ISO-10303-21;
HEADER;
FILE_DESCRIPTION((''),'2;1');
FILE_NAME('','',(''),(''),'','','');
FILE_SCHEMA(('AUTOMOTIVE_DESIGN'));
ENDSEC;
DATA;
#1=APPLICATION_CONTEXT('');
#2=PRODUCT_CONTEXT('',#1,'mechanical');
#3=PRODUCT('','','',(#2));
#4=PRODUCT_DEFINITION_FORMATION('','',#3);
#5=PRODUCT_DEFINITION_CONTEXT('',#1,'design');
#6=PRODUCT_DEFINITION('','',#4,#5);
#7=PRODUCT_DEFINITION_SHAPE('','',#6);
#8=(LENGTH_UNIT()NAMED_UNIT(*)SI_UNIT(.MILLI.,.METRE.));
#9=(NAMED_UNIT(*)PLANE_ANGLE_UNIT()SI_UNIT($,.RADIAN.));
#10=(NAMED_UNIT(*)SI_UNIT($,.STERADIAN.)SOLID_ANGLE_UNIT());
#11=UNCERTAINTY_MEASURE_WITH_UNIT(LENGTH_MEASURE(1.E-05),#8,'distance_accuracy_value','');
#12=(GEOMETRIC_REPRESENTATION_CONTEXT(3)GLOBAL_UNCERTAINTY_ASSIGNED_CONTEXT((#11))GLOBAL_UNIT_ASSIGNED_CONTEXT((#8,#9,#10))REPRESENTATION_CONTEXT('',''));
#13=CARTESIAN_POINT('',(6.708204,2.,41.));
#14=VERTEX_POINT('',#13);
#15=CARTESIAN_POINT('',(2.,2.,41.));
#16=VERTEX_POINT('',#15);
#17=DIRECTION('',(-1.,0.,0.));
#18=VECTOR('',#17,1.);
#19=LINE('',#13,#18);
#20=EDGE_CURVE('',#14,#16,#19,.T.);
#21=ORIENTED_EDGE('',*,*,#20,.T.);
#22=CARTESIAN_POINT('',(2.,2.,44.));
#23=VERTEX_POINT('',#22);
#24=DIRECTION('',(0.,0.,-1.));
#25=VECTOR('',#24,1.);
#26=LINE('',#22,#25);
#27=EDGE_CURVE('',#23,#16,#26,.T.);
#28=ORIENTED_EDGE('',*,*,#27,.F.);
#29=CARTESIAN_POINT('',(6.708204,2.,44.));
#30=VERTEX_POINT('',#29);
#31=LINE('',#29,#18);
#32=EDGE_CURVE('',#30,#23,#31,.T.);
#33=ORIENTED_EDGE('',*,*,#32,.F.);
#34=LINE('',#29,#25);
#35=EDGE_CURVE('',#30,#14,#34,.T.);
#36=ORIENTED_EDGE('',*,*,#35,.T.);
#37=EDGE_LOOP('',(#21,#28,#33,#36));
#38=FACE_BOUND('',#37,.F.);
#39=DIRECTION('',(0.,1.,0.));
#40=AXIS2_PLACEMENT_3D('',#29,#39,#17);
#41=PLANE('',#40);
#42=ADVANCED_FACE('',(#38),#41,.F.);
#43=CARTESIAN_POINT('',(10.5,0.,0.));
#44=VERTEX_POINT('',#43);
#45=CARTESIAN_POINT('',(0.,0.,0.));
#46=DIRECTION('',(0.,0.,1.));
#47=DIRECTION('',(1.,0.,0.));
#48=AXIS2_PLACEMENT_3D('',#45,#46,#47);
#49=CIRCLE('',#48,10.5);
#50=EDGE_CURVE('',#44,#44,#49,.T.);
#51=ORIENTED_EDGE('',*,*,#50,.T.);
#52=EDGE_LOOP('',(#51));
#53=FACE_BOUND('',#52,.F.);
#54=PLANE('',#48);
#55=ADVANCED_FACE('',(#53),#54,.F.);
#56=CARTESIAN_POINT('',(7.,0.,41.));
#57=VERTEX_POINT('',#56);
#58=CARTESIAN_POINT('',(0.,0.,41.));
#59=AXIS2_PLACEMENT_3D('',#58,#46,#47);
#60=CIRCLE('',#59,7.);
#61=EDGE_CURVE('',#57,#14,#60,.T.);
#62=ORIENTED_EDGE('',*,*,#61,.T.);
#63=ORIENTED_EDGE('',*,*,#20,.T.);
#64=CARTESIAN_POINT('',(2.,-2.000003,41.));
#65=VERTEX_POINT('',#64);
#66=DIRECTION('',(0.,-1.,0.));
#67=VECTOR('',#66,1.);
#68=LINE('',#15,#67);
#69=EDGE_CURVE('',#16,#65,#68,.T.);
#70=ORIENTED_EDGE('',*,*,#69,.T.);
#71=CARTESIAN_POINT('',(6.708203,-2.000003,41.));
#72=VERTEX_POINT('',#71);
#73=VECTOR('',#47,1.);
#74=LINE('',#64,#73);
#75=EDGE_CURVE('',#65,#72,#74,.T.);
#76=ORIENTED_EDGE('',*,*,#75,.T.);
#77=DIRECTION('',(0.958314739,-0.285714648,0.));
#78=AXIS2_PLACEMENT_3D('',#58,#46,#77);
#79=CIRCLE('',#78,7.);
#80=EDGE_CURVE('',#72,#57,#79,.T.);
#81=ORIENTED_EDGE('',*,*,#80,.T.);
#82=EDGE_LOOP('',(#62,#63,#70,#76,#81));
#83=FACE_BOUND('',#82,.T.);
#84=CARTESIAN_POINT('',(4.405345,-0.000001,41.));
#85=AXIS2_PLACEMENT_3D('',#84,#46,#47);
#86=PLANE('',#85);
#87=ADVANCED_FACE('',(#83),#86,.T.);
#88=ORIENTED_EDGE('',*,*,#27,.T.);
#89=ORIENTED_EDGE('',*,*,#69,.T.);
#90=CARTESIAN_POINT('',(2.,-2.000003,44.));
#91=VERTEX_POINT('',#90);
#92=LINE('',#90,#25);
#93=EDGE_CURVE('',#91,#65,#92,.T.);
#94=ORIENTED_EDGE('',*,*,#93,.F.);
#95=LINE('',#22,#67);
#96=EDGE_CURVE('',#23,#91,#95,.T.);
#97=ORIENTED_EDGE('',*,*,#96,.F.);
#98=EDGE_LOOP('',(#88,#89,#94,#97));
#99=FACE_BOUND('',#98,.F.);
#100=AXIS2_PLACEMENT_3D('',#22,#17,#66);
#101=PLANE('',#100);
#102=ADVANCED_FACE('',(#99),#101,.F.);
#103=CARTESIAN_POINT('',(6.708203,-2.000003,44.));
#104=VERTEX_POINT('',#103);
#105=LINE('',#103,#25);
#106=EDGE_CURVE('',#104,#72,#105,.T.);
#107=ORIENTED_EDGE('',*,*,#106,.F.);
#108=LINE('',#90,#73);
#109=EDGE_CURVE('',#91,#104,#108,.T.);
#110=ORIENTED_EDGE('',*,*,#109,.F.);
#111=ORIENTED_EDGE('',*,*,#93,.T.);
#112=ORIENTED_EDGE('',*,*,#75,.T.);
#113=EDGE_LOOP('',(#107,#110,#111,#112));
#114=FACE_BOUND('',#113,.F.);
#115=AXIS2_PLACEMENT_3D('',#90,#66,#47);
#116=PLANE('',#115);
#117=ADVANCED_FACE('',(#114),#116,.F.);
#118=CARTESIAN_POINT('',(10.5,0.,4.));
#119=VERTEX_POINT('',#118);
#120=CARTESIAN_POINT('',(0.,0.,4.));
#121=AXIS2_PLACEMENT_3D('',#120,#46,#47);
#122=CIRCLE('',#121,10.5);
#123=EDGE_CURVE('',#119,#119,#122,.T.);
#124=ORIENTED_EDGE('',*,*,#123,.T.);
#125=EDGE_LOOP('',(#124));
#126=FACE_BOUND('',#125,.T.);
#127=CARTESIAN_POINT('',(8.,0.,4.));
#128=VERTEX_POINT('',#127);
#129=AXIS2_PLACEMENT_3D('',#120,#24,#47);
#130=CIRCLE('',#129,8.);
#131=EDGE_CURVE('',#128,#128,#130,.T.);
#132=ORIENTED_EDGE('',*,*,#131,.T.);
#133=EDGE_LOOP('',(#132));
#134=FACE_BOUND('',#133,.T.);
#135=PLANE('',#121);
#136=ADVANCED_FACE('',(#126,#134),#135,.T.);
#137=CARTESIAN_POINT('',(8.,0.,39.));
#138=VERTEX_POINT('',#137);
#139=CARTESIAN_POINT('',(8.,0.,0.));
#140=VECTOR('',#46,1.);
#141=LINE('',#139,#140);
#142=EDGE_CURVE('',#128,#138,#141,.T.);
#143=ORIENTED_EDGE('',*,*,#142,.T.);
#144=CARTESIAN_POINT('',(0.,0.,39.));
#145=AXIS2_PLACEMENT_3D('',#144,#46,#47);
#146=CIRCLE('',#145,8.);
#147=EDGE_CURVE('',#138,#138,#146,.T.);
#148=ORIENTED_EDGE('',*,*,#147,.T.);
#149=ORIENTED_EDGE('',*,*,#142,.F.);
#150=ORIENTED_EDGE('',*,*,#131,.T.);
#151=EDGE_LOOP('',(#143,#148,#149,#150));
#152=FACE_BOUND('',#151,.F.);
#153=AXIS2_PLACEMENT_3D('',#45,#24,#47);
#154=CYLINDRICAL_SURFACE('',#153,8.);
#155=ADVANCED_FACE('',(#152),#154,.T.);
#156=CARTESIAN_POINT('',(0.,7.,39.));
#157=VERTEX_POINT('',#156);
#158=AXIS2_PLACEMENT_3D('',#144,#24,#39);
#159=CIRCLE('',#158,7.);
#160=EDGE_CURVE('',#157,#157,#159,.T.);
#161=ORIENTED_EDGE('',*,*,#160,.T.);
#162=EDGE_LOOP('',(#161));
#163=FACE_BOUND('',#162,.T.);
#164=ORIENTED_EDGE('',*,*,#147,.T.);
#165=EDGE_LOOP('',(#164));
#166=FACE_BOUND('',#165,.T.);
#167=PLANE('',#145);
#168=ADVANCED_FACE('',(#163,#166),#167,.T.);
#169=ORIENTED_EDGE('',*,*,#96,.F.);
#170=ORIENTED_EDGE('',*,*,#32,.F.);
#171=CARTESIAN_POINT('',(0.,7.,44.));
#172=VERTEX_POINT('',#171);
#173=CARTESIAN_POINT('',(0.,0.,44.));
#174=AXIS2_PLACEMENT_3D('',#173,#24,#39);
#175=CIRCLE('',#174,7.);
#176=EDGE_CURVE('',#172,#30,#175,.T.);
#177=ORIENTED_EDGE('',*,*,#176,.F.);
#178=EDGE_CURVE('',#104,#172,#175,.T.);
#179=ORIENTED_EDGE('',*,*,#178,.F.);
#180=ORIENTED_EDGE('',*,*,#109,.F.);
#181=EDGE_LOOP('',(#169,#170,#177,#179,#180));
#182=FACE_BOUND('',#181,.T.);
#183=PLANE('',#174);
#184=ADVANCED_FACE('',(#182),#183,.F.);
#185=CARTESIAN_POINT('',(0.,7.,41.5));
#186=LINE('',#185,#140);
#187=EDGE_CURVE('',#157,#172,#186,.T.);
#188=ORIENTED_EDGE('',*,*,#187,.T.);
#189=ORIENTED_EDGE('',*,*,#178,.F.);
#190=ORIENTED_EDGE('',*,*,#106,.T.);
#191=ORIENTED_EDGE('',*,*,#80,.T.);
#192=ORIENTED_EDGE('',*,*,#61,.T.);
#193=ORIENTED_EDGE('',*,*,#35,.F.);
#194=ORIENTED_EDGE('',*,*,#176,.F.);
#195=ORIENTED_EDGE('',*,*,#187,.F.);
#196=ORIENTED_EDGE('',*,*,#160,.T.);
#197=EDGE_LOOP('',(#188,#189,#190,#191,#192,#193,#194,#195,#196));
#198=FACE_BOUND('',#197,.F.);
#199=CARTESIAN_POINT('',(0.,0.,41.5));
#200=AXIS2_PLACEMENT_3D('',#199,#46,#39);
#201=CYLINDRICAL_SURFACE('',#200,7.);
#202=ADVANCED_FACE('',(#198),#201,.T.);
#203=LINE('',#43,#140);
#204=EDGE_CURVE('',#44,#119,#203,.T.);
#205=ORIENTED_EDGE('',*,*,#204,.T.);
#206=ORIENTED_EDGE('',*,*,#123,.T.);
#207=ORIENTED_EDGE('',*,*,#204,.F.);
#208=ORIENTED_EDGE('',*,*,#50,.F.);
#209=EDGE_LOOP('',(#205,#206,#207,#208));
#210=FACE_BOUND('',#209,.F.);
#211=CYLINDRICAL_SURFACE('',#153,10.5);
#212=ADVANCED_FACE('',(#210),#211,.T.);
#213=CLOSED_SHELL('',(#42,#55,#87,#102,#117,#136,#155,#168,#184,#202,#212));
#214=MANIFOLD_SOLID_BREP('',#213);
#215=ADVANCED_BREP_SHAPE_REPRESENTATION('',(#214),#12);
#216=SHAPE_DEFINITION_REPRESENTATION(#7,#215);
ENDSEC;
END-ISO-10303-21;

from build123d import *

# Parameters (mm, degrees)
F0_R     = 10.5
F1_DEPTH = 4
F2_R     = 8
F3_DEPTH = 39
F4_W     = 7
F4_H     = 5
F7_DEPTH = 3


with BuildPart() as f1:
    # F0 (on Top) → F1 (new body)
    with BuildSketch(Plane.XY):
        Circle(F0_R)
    extrude(amount=F1_DEPTH)

    # F2 (on Top) → F3 (join)
    with BuildSketch(Plane.XY):
        Circle(F2_R)
    extrude(amount=F3_DEPTH)

    # F4 (on Right) → F5 (revolve)
    with BuildSketch(Plane.YZ):
        with Locations((3.5, 41.5)):
            Rectangle(F4_W, F4_H)
    revolve(axis=Axis((0, 0, 41.5), (0, 0, -1)))

    # F6 (on face) → F7 (cut)
    with BuildSketch(Plane.XY.offset(44)):
        with BuildLine():
            Line((6.7082039325, 2), (2, 2))
            Line((2, 2), (2, -2.0000025367))
            Line((2, -2.0000025367), (6.7082031762, -2.0000025367))
            ThreePointArc((6.7082031762, -2.0000025367), (6.9266666671, -1.0105883847), (7, 0))
            ThreePointArc((7, 0), (6.9266668581, 1.010587075), (6.7082039325, 2))
        make_face()
    extrude(amount=-F7_DEPTH, mode=Mode.SUBTRACT)


solid = f1.part
